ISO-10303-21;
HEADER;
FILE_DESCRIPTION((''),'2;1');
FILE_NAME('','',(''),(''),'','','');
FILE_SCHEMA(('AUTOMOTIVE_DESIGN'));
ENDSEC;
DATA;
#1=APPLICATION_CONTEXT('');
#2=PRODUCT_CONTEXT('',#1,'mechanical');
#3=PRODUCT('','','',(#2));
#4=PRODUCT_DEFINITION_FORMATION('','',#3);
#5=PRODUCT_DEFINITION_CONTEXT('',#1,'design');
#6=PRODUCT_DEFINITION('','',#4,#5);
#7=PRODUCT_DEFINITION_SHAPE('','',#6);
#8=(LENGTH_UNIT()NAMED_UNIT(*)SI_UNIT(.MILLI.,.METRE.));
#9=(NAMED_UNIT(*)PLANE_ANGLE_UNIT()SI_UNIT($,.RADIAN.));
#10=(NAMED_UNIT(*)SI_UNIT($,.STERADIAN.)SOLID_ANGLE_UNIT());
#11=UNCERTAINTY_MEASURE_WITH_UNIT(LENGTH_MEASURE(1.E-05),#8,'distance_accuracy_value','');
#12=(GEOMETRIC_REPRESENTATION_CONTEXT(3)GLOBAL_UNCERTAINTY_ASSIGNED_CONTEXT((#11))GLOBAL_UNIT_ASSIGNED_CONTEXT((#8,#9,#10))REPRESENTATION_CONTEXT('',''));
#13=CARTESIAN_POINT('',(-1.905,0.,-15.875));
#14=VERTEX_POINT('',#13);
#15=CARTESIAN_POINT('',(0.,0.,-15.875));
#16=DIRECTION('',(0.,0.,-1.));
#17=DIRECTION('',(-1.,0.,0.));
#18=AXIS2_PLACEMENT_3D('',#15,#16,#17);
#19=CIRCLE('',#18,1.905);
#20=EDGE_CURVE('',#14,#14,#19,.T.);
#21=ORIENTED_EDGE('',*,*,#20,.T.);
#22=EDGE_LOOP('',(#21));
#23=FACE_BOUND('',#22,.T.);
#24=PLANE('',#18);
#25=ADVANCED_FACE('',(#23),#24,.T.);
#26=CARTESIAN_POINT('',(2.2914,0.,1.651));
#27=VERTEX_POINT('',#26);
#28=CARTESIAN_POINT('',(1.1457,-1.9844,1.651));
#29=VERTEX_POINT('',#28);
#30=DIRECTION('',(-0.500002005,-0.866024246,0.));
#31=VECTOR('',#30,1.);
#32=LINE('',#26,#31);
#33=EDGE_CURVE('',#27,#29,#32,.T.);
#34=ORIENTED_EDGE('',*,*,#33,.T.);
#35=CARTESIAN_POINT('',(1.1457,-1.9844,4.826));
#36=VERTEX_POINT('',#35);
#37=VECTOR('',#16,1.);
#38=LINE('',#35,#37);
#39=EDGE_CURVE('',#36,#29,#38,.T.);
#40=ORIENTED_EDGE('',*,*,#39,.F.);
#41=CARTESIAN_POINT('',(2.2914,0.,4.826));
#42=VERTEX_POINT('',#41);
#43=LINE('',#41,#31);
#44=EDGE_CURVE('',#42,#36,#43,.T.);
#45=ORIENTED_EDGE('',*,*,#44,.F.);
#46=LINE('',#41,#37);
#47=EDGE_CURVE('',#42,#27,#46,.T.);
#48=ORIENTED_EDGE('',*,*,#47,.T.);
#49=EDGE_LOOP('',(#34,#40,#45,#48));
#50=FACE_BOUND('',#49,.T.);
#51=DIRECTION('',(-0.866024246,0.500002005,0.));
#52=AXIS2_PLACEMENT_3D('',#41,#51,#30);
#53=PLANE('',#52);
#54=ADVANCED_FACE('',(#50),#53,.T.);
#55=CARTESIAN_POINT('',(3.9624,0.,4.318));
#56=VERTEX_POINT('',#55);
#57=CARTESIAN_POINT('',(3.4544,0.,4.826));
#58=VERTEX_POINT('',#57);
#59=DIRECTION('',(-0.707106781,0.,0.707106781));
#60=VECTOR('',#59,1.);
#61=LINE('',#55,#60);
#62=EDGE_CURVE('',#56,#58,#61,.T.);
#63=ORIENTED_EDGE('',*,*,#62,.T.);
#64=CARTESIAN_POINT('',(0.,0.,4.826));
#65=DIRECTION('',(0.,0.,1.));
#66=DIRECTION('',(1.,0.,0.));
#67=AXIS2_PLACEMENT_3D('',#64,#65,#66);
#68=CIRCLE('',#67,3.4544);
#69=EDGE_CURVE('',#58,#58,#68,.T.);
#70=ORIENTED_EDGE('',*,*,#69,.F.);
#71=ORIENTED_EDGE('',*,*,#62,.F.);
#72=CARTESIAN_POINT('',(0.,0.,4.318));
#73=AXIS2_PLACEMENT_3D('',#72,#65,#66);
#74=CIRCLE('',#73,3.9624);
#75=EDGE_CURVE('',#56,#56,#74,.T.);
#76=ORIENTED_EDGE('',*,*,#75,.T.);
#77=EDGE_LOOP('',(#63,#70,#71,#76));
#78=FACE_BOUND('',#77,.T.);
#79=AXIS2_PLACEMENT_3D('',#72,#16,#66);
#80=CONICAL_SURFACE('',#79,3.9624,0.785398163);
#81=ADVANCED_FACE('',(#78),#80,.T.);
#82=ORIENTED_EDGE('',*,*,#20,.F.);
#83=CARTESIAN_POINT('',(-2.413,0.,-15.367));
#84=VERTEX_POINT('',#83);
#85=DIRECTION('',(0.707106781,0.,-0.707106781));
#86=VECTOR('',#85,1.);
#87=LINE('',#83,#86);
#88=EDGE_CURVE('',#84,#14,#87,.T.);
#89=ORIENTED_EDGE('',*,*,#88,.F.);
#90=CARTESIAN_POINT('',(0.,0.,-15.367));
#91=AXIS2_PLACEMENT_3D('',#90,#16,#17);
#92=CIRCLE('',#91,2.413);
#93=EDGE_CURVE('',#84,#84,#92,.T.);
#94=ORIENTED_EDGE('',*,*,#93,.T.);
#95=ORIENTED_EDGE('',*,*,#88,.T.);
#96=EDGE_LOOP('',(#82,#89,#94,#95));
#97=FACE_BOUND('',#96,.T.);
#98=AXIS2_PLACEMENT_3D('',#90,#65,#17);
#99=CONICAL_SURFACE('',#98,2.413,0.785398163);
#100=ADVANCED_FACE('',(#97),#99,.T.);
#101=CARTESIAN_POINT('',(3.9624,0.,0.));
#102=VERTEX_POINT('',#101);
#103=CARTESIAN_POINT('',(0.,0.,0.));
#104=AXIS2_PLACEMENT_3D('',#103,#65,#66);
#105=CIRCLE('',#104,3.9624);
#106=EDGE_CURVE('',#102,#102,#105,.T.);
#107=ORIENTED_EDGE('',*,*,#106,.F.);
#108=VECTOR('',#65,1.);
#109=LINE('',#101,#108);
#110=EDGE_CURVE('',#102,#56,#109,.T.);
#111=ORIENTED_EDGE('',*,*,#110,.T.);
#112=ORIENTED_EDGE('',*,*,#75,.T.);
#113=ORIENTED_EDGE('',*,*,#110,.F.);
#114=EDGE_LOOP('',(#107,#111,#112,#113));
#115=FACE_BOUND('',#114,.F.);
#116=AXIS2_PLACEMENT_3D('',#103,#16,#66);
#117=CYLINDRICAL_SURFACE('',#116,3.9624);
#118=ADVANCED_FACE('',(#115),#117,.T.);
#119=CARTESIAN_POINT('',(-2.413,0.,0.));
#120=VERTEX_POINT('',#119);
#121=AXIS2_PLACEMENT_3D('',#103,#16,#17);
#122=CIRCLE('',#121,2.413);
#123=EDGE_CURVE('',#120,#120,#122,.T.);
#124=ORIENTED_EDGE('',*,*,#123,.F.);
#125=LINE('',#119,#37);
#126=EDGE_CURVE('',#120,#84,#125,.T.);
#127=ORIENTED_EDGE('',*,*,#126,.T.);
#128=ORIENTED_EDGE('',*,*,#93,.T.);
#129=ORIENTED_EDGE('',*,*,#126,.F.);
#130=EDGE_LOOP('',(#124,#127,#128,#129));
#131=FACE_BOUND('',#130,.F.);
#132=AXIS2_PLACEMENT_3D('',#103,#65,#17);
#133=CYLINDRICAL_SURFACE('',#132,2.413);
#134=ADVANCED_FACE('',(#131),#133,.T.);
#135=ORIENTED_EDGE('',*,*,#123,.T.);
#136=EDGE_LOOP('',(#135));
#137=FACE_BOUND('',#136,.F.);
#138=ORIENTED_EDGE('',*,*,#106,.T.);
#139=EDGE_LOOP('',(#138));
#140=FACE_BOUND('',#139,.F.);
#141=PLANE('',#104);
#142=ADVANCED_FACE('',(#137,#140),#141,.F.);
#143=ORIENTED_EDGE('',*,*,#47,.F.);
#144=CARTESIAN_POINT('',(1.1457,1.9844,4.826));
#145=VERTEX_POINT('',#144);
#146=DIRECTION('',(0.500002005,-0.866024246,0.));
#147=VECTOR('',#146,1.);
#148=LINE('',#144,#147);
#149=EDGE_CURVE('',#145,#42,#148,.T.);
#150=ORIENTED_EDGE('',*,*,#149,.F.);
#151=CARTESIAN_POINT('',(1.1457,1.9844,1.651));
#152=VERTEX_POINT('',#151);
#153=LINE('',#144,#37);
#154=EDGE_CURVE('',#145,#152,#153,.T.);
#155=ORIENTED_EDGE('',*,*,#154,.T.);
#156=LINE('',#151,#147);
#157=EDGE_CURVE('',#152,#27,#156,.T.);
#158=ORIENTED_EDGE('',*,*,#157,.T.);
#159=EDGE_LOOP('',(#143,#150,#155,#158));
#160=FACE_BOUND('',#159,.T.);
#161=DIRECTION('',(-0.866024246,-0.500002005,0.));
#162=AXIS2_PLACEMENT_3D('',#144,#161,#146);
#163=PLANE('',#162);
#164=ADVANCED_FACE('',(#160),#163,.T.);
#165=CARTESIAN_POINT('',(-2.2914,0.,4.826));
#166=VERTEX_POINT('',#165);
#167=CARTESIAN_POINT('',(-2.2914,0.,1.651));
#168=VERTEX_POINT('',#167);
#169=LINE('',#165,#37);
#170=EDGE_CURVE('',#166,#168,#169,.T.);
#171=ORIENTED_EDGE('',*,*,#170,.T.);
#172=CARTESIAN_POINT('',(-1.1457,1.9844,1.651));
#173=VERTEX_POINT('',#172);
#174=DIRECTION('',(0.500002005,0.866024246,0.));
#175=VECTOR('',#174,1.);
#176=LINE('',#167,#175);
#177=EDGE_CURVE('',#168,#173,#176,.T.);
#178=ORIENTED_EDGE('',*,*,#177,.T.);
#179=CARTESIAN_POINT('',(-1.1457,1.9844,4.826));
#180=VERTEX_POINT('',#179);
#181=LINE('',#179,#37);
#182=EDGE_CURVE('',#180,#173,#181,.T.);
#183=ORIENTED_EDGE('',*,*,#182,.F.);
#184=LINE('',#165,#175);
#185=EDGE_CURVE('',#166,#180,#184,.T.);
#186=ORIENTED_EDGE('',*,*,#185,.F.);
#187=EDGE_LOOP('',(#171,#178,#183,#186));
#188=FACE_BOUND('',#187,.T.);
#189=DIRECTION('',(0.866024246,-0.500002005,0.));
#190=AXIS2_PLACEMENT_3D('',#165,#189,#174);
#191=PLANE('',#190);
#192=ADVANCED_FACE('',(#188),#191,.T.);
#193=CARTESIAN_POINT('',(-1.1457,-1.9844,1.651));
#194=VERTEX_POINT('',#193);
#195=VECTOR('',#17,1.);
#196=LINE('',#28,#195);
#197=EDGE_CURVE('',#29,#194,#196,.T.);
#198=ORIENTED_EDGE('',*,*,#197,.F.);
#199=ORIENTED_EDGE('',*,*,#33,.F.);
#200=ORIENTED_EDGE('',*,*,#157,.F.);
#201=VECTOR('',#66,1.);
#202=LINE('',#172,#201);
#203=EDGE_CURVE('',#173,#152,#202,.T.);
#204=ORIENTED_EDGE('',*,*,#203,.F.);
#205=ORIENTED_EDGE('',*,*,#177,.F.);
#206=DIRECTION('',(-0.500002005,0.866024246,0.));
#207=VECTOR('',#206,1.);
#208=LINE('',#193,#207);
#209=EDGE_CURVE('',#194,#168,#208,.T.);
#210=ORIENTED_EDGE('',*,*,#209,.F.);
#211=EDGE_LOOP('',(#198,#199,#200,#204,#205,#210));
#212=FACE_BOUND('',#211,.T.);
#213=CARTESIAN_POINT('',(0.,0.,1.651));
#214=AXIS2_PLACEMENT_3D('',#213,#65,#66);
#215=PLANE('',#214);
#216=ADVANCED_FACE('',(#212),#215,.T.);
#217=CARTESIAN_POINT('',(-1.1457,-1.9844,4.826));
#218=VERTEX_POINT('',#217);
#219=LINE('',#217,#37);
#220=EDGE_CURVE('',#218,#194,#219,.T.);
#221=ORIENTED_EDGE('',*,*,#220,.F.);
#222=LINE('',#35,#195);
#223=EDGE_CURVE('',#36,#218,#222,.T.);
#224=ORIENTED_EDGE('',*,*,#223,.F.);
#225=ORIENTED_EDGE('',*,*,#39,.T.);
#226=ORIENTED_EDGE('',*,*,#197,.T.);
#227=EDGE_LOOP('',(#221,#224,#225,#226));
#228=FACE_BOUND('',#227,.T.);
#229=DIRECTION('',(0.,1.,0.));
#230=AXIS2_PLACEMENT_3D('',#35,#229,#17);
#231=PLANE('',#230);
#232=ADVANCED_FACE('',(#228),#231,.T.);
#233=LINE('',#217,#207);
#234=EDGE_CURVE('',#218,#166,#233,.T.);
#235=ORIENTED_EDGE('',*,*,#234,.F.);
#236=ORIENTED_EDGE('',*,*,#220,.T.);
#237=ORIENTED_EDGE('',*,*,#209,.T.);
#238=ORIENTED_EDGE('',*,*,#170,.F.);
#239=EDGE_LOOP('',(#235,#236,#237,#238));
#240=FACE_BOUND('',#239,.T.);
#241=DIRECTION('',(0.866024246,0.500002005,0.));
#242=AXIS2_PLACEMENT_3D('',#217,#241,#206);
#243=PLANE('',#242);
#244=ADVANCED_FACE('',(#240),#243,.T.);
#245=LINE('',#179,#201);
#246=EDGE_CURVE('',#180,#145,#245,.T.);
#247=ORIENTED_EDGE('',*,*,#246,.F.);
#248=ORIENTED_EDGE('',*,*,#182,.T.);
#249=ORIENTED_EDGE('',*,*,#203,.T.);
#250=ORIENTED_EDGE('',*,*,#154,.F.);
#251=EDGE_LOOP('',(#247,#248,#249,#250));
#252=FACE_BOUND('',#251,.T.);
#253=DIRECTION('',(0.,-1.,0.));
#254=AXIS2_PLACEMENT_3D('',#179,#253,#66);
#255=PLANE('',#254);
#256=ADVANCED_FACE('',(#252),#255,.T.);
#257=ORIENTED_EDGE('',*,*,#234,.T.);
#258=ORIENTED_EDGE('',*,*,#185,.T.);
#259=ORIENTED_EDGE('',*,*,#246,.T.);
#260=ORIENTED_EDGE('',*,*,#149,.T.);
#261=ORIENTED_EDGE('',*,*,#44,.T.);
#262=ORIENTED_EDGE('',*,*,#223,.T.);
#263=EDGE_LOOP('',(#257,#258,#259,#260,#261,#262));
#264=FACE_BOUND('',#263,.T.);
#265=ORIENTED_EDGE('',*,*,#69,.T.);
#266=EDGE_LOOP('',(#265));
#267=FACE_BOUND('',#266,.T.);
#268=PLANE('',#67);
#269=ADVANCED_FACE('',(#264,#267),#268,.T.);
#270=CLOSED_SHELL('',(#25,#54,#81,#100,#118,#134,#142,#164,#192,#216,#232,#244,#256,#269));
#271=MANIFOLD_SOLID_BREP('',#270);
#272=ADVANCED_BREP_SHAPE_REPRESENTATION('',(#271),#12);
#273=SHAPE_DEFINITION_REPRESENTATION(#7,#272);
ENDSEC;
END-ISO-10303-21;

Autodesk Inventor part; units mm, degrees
ref_plane "YZ Plane" through (0, 0, 0) normal (1, 0, 0) x (0, 1, 0)
ref_plane "XZ Plane" through (0, 0, 0) normal (0, 1, 0) x (-1, 0, 0)
ref_plane "XY Plane" through (0, 0, 0) normal (0, 0, 1) x (1, 0, 0)
sketch "Sketch1" plane through (0, 0, 0) normal (0, 0, 1) x (1, 0, 0)
  circle A0 centre (0, 0) radius 3.9624
  dimension "d0" = 7.9248
extrude "Extrusion1" add sketch "Sketch1" along normal blind 4.826
sketch "Sketch2" plane through (0, 0, 0) normal (0, 0, -1) x (-1, 0, 0)
  circle A0 centre (0, 0) radius 3.9624 projected
  circle A1 centre (0, 0) radius 2.413
  dimension "d3" = 4.826
extrude "Extrusion2" add sketch "Sketch2" along normal blind 15.875 contours A1
sketch "Sketch3" plane through (0, 0, 4.826) normal (0, 0, 1) x (1, 0, 0)
  circle A0 centre (0, 0) radius 3.9624 projected
  line L0 (-1.1457, 1.9844) -> (1.1457, 1.9844)
  line L1 (1.1457, 1.9844) -> (2.2914, 0)
  line L2 (2.2914, 0) -> (1.1457, -1.9844)
  line L3 (1.1457, -1.9844) -> (-1.1457, -1.9844)
  line L4 (-1.1457, -1.9844) -> (-2.2914, 0)
  line L5 (-2.2914, 0) -> (-1.1457, 1.9844)
  dimension "d6" = 3.9688
extrude "Extrusion3" cut sketch "Sketch3" against normal blind 3.175 contours L0 L1 L2 L3 L4 L5
thread "Thread1" size "10-32 UNF" class "2A" standard "ANSI Unified Screw Threads" full length
chamfer "Chamfer1" distance 0.508 angle 45 1 edges at (2.413, 0, -15.875)
chamfer "Chamfer2" distance 0.508 angle 45 1 edges at (-3.9624, 0, 4.826)
properties part number "10-32 x1000" material "Steel"
